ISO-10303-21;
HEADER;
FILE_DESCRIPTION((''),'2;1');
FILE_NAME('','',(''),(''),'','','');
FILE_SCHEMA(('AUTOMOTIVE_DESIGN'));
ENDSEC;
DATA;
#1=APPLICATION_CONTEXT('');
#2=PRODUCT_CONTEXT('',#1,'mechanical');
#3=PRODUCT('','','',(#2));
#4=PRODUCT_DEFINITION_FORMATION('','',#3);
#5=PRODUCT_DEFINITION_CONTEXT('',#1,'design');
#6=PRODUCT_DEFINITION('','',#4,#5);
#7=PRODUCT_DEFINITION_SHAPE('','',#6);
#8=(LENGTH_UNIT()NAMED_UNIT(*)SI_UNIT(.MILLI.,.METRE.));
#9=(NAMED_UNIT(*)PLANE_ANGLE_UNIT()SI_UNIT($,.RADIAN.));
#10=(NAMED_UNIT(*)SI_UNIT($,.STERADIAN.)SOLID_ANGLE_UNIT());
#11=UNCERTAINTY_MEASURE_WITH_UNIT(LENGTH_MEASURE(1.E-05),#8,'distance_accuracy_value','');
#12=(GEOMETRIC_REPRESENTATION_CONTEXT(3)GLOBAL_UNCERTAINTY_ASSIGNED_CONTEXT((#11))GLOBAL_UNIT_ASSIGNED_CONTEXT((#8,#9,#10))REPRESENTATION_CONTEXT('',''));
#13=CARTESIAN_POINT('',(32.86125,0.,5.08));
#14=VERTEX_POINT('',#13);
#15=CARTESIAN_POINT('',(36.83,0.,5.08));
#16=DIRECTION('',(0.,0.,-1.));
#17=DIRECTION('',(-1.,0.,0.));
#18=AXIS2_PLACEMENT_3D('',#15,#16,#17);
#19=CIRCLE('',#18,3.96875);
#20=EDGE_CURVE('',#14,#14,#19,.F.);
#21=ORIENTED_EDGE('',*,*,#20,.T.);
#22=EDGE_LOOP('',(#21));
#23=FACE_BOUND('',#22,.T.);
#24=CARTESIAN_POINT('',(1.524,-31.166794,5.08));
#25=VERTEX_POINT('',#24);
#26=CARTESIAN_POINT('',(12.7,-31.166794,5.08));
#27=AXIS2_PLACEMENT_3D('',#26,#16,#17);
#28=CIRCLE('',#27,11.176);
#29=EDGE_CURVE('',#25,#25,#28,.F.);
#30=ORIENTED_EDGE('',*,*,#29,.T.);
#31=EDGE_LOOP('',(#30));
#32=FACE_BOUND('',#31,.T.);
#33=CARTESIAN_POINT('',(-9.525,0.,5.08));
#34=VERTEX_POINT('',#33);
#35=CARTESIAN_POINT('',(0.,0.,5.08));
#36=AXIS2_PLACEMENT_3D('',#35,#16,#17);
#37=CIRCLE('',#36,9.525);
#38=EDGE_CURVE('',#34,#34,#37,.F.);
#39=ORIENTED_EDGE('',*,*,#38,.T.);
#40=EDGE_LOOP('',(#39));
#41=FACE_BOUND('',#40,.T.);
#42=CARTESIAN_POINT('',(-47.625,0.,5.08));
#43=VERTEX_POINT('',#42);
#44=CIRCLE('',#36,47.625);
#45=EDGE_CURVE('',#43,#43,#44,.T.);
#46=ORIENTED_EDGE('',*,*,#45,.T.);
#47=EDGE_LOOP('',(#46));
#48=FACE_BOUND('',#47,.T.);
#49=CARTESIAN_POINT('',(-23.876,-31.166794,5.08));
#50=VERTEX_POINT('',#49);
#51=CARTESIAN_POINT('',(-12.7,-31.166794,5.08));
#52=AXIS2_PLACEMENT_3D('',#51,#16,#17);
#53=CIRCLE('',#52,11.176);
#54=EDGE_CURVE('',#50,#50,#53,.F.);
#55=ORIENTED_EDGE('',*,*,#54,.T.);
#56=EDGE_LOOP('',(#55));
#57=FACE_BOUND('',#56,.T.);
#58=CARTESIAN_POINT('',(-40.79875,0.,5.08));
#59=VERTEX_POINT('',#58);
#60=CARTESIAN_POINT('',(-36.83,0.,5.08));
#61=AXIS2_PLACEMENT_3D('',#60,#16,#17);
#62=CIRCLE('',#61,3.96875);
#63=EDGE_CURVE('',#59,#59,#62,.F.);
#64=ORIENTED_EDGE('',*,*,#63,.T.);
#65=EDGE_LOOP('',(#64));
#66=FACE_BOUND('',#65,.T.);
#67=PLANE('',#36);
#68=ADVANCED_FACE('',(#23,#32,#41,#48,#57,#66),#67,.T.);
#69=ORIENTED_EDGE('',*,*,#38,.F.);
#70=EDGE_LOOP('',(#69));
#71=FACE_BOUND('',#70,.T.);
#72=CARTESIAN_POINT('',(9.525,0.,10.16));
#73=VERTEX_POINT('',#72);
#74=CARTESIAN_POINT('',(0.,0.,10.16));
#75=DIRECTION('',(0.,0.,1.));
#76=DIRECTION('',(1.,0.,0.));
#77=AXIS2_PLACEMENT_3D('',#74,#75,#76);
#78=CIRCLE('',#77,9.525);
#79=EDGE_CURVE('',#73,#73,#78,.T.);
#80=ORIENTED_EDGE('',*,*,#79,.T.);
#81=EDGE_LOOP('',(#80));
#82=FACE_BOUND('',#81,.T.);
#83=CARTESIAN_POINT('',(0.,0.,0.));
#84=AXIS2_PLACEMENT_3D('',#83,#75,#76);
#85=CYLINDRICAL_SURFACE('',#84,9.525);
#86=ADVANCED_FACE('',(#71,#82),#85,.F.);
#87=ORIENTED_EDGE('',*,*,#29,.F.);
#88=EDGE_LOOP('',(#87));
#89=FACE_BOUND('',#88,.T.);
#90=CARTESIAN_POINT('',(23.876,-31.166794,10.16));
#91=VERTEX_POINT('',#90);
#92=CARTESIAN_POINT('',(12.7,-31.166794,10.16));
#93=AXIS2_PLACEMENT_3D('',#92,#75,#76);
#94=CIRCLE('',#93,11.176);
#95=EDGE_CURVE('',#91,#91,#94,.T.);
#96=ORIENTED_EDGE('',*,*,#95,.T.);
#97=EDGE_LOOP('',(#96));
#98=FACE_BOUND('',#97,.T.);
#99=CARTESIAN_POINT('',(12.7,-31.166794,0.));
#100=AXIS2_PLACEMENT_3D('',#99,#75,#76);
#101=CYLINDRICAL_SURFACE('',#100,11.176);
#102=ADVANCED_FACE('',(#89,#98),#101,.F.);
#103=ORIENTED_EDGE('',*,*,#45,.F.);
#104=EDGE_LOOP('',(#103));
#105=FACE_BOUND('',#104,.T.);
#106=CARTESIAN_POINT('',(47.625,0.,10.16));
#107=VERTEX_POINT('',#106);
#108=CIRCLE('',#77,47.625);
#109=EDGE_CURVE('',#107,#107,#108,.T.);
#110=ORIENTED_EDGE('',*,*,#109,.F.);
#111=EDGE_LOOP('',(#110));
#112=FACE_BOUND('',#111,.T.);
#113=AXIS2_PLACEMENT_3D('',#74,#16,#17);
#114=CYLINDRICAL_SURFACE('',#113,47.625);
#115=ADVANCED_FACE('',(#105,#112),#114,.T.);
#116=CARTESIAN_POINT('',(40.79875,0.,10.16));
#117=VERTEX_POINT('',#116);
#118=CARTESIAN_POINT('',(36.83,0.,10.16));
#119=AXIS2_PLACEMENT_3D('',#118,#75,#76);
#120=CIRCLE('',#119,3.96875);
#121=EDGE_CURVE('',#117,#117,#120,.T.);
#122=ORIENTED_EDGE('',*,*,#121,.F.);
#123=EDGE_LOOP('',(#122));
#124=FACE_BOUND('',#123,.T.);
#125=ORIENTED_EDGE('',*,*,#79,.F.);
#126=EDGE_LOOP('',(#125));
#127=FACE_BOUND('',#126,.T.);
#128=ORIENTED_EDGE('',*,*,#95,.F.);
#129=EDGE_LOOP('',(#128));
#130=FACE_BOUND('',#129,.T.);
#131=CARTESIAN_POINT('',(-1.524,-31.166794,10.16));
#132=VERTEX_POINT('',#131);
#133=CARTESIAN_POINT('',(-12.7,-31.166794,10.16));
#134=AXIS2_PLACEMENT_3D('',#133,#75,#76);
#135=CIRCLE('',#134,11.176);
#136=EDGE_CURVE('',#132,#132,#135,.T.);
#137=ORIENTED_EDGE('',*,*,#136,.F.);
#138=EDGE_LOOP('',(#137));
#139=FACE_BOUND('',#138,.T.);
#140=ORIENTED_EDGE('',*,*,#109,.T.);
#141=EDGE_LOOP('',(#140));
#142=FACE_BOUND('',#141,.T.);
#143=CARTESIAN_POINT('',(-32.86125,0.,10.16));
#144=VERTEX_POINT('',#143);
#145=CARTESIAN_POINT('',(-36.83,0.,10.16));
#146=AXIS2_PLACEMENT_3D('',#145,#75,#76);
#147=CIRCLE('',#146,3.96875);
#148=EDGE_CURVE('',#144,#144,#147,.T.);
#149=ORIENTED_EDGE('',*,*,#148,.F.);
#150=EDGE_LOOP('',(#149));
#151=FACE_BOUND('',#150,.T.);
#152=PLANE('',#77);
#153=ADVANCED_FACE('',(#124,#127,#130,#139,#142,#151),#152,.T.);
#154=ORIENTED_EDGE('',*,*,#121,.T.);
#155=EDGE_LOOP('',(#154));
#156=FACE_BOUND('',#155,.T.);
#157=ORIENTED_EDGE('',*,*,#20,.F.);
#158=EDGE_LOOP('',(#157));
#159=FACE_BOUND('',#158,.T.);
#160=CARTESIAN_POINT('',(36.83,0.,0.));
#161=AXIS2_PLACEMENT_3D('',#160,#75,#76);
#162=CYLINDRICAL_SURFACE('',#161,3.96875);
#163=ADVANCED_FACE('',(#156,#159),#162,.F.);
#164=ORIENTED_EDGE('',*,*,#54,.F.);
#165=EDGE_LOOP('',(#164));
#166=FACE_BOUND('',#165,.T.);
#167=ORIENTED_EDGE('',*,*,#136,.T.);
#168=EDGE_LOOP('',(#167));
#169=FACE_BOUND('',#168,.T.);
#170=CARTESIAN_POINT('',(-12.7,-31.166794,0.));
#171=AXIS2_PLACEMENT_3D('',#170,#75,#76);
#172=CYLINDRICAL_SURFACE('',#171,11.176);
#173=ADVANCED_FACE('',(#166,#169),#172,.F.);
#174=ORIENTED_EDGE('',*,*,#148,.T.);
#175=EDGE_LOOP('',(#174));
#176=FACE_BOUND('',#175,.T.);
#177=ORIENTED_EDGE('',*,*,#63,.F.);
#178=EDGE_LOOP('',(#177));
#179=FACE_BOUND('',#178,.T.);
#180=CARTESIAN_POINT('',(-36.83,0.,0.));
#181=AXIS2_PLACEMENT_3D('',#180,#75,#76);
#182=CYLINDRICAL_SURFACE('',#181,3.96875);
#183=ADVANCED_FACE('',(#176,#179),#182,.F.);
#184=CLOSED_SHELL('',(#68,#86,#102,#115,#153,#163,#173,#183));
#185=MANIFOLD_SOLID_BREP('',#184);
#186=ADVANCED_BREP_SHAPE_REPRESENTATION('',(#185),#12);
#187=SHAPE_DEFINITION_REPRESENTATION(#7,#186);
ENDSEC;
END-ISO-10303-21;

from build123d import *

# Parameters (mm, degrees)
SKETCH1_R           = 49.5046
BOSS_EXTRUDE1_DEPTH = 5.08
SKETCH2_R           = 47.625
BOSS_EXTRUDE2_DEPTH = 5.08
SKETCH3_R           = 11.176
SKETCH3_R_2         = 3.96875
SKETCH3_R_3         = 9.525
CUT_EXTRUDE1_DEPTH  = 11.16
SKETCH7_R           = 65.421404769
CUT_EXTRUDE3_DEPTH  = 5.08


with BuildPart() as part:
    # Sketch1 → Boss-Extrude1 (new body)
    with BuildSketch(Plane.XY):
        Circle(SKETCH1_R)
    extrude(amount=BOSS_EXTRUDE1_DEPTH)

    # Sketch2 → Boss-Extrude2 (add)
    with BuildSketch(Plane.XY.offset(5.08)):
        Circle(SKETCH2_R)
    extrude(amount=BOSS_EXTRUDE2_DEPTH)

    # Sketch3 → Cut-Extrude1 (cut, through all)
    with BuildSketch(Plane.XY.offset(10.16)):
        with Locations((-12.7, -31.166793627)):
            Circle(SKETCH3_R)
        with Locations((12.7, -31.166793627)):
            Circle(SKETCH3_R)
        with Locations((-36.83, 0)):
            Circle(SKETCH3_R_2)
        with Locations((36.83, 0)):
            Circle(SKETCH3_R_2)
        Circle(SKETCH3_R_3)
    extrude(amount=-CUT_EXTRUDE1_DEPTH, mode=Mode.SUBTRACT)

    # Sketch7 → Cut-Extrude3 (cut)
    with BuildSketch(Plane(origin=(0, 0, 0), x_dir=(-1, 0, 0), z_dir=(0, 0, -1))):
        Circle(SKETCH7_R)
    extrude(amount=-CUT_EXTRUDE3_DEPTH, mode=Mode.SUBTRACT)


solid = part.part
